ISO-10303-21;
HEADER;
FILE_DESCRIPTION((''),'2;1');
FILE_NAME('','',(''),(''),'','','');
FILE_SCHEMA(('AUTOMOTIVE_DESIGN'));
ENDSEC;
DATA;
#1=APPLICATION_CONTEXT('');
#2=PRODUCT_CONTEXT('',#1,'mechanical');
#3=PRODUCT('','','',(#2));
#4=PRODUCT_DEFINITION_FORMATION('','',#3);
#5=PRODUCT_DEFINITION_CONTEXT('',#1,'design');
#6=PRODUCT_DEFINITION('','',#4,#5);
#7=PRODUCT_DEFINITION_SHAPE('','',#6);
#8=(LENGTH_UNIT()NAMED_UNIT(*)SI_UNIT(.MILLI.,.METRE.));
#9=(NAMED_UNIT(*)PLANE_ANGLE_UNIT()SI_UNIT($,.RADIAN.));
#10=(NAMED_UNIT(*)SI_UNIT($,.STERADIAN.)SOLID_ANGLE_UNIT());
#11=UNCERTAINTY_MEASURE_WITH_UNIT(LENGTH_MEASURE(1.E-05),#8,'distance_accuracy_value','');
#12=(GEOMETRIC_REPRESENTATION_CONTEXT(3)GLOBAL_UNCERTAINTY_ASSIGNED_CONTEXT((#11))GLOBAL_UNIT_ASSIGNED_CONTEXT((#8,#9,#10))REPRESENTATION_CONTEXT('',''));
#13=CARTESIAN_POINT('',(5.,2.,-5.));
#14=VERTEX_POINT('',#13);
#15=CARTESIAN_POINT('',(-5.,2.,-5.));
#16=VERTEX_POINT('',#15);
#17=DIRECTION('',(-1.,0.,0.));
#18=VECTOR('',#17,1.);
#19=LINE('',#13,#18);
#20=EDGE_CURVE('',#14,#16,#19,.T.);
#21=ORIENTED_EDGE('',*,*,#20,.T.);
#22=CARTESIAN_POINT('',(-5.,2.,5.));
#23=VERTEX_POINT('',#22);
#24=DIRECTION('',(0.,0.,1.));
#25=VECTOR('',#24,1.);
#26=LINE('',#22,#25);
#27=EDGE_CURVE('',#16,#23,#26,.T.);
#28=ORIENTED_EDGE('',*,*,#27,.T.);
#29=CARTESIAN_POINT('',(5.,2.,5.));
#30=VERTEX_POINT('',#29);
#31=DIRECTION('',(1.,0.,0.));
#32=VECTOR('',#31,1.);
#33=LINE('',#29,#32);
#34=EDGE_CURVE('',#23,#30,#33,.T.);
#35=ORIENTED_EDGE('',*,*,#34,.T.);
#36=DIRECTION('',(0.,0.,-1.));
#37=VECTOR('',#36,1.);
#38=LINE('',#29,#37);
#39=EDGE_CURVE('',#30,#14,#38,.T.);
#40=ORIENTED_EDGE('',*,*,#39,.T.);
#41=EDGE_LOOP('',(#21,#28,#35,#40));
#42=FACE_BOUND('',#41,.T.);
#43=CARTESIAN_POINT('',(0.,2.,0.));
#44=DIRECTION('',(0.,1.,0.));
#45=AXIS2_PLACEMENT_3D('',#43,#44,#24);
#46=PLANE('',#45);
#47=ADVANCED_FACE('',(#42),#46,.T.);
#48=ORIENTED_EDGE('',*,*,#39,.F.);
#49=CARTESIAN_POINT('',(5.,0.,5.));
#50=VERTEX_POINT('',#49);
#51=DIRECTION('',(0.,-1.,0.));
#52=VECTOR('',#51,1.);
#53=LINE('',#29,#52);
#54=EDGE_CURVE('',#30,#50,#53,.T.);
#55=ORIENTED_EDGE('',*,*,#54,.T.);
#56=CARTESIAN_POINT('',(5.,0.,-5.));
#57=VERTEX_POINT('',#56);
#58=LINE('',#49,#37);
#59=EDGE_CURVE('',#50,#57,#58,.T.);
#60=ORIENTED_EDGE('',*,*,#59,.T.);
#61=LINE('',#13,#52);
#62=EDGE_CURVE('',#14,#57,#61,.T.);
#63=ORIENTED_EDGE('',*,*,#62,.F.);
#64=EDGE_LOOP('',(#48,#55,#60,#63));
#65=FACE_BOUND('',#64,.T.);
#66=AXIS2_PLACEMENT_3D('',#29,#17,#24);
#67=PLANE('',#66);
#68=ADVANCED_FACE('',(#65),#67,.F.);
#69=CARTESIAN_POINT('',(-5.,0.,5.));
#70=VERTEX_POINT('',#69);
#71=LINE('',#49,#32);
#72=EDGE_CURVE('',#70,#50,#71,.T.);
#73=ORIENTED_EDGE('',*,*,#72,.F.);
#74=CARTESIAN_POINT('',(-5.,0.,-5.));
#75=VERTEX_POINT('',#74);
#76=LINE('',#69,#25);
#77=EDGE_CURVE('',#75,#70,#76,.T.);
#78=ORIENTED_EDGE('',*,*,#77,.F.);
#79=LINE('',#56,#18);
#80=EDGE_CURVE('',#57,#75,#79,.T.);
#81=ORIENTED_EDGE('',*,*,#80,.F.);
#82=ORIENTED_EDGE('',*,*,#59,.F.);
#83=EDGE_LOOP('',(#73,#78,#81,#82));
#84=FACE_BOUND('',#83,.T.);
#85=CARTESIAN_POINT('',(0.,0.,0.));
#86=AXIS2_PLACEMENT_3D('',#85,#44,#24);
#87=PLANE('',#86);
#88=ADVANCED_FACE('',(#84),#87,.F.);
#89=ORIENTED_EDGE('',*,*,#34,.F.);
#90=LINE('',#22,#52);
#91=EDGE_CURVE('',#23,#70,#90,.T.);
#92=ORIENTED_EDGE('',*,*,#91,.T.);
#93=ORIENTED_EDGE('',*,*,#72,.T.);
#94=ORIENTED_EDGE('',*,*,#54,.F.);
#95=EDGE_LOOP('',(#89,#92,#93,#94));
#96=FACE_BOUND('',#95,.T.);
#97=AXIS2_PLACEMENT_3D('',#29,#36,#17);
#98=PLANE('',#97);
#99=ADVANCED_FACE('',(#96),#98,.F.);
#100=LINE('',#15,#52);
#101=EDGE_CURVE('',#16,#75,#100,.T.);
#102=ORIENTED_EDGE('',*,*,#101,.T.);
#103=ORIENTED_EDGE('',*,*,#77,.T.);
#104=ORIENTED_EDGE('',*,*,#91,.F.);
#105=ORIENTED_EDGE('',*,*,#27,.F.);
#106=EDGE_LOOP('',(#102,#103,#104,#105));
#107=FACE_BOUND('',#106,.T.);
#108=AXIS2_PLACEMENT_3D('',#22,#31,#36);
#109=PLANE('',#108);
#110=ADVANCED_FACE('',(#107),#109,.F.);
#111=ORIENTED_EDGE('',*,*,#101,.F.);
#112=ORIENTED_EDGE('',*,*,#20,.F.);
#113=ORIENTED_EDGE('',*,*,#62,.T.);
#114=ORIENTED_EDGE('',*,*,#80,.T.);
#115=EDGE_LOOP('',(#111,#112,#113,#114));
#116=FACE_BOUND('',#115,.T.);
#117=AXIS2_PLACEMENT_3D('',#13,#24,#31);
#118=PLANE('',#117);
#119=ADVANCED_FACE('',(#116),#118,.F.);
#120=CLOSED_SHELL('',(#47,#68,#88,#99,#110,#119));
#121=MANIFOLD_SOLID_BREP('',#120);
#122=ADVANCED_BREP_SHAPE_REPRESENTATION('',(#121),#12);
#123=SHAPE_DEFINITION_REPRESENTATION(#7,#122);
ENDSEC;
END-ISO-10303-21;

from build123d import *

# Parameters (mm, degrees)
SKICA1_W                = 10
SKICA1_H                = 10
P_IDAT_VYSUNUT_M1_DEPTH = 2


with BuildPart() as part:
    # Skica1 → Přidat vysunutím1 (new body)
    with BuildSketch(Plane(origin=(0, 0, 0), x_dir=(1, 0, 0), z_dir=(0, 1, 0))):
        Rectangle(SKICA1_W, SKICA1_H)
    extrude(amount=P_IDAT_VYSUNUT_M1_DEPTH)


solid = part.part
